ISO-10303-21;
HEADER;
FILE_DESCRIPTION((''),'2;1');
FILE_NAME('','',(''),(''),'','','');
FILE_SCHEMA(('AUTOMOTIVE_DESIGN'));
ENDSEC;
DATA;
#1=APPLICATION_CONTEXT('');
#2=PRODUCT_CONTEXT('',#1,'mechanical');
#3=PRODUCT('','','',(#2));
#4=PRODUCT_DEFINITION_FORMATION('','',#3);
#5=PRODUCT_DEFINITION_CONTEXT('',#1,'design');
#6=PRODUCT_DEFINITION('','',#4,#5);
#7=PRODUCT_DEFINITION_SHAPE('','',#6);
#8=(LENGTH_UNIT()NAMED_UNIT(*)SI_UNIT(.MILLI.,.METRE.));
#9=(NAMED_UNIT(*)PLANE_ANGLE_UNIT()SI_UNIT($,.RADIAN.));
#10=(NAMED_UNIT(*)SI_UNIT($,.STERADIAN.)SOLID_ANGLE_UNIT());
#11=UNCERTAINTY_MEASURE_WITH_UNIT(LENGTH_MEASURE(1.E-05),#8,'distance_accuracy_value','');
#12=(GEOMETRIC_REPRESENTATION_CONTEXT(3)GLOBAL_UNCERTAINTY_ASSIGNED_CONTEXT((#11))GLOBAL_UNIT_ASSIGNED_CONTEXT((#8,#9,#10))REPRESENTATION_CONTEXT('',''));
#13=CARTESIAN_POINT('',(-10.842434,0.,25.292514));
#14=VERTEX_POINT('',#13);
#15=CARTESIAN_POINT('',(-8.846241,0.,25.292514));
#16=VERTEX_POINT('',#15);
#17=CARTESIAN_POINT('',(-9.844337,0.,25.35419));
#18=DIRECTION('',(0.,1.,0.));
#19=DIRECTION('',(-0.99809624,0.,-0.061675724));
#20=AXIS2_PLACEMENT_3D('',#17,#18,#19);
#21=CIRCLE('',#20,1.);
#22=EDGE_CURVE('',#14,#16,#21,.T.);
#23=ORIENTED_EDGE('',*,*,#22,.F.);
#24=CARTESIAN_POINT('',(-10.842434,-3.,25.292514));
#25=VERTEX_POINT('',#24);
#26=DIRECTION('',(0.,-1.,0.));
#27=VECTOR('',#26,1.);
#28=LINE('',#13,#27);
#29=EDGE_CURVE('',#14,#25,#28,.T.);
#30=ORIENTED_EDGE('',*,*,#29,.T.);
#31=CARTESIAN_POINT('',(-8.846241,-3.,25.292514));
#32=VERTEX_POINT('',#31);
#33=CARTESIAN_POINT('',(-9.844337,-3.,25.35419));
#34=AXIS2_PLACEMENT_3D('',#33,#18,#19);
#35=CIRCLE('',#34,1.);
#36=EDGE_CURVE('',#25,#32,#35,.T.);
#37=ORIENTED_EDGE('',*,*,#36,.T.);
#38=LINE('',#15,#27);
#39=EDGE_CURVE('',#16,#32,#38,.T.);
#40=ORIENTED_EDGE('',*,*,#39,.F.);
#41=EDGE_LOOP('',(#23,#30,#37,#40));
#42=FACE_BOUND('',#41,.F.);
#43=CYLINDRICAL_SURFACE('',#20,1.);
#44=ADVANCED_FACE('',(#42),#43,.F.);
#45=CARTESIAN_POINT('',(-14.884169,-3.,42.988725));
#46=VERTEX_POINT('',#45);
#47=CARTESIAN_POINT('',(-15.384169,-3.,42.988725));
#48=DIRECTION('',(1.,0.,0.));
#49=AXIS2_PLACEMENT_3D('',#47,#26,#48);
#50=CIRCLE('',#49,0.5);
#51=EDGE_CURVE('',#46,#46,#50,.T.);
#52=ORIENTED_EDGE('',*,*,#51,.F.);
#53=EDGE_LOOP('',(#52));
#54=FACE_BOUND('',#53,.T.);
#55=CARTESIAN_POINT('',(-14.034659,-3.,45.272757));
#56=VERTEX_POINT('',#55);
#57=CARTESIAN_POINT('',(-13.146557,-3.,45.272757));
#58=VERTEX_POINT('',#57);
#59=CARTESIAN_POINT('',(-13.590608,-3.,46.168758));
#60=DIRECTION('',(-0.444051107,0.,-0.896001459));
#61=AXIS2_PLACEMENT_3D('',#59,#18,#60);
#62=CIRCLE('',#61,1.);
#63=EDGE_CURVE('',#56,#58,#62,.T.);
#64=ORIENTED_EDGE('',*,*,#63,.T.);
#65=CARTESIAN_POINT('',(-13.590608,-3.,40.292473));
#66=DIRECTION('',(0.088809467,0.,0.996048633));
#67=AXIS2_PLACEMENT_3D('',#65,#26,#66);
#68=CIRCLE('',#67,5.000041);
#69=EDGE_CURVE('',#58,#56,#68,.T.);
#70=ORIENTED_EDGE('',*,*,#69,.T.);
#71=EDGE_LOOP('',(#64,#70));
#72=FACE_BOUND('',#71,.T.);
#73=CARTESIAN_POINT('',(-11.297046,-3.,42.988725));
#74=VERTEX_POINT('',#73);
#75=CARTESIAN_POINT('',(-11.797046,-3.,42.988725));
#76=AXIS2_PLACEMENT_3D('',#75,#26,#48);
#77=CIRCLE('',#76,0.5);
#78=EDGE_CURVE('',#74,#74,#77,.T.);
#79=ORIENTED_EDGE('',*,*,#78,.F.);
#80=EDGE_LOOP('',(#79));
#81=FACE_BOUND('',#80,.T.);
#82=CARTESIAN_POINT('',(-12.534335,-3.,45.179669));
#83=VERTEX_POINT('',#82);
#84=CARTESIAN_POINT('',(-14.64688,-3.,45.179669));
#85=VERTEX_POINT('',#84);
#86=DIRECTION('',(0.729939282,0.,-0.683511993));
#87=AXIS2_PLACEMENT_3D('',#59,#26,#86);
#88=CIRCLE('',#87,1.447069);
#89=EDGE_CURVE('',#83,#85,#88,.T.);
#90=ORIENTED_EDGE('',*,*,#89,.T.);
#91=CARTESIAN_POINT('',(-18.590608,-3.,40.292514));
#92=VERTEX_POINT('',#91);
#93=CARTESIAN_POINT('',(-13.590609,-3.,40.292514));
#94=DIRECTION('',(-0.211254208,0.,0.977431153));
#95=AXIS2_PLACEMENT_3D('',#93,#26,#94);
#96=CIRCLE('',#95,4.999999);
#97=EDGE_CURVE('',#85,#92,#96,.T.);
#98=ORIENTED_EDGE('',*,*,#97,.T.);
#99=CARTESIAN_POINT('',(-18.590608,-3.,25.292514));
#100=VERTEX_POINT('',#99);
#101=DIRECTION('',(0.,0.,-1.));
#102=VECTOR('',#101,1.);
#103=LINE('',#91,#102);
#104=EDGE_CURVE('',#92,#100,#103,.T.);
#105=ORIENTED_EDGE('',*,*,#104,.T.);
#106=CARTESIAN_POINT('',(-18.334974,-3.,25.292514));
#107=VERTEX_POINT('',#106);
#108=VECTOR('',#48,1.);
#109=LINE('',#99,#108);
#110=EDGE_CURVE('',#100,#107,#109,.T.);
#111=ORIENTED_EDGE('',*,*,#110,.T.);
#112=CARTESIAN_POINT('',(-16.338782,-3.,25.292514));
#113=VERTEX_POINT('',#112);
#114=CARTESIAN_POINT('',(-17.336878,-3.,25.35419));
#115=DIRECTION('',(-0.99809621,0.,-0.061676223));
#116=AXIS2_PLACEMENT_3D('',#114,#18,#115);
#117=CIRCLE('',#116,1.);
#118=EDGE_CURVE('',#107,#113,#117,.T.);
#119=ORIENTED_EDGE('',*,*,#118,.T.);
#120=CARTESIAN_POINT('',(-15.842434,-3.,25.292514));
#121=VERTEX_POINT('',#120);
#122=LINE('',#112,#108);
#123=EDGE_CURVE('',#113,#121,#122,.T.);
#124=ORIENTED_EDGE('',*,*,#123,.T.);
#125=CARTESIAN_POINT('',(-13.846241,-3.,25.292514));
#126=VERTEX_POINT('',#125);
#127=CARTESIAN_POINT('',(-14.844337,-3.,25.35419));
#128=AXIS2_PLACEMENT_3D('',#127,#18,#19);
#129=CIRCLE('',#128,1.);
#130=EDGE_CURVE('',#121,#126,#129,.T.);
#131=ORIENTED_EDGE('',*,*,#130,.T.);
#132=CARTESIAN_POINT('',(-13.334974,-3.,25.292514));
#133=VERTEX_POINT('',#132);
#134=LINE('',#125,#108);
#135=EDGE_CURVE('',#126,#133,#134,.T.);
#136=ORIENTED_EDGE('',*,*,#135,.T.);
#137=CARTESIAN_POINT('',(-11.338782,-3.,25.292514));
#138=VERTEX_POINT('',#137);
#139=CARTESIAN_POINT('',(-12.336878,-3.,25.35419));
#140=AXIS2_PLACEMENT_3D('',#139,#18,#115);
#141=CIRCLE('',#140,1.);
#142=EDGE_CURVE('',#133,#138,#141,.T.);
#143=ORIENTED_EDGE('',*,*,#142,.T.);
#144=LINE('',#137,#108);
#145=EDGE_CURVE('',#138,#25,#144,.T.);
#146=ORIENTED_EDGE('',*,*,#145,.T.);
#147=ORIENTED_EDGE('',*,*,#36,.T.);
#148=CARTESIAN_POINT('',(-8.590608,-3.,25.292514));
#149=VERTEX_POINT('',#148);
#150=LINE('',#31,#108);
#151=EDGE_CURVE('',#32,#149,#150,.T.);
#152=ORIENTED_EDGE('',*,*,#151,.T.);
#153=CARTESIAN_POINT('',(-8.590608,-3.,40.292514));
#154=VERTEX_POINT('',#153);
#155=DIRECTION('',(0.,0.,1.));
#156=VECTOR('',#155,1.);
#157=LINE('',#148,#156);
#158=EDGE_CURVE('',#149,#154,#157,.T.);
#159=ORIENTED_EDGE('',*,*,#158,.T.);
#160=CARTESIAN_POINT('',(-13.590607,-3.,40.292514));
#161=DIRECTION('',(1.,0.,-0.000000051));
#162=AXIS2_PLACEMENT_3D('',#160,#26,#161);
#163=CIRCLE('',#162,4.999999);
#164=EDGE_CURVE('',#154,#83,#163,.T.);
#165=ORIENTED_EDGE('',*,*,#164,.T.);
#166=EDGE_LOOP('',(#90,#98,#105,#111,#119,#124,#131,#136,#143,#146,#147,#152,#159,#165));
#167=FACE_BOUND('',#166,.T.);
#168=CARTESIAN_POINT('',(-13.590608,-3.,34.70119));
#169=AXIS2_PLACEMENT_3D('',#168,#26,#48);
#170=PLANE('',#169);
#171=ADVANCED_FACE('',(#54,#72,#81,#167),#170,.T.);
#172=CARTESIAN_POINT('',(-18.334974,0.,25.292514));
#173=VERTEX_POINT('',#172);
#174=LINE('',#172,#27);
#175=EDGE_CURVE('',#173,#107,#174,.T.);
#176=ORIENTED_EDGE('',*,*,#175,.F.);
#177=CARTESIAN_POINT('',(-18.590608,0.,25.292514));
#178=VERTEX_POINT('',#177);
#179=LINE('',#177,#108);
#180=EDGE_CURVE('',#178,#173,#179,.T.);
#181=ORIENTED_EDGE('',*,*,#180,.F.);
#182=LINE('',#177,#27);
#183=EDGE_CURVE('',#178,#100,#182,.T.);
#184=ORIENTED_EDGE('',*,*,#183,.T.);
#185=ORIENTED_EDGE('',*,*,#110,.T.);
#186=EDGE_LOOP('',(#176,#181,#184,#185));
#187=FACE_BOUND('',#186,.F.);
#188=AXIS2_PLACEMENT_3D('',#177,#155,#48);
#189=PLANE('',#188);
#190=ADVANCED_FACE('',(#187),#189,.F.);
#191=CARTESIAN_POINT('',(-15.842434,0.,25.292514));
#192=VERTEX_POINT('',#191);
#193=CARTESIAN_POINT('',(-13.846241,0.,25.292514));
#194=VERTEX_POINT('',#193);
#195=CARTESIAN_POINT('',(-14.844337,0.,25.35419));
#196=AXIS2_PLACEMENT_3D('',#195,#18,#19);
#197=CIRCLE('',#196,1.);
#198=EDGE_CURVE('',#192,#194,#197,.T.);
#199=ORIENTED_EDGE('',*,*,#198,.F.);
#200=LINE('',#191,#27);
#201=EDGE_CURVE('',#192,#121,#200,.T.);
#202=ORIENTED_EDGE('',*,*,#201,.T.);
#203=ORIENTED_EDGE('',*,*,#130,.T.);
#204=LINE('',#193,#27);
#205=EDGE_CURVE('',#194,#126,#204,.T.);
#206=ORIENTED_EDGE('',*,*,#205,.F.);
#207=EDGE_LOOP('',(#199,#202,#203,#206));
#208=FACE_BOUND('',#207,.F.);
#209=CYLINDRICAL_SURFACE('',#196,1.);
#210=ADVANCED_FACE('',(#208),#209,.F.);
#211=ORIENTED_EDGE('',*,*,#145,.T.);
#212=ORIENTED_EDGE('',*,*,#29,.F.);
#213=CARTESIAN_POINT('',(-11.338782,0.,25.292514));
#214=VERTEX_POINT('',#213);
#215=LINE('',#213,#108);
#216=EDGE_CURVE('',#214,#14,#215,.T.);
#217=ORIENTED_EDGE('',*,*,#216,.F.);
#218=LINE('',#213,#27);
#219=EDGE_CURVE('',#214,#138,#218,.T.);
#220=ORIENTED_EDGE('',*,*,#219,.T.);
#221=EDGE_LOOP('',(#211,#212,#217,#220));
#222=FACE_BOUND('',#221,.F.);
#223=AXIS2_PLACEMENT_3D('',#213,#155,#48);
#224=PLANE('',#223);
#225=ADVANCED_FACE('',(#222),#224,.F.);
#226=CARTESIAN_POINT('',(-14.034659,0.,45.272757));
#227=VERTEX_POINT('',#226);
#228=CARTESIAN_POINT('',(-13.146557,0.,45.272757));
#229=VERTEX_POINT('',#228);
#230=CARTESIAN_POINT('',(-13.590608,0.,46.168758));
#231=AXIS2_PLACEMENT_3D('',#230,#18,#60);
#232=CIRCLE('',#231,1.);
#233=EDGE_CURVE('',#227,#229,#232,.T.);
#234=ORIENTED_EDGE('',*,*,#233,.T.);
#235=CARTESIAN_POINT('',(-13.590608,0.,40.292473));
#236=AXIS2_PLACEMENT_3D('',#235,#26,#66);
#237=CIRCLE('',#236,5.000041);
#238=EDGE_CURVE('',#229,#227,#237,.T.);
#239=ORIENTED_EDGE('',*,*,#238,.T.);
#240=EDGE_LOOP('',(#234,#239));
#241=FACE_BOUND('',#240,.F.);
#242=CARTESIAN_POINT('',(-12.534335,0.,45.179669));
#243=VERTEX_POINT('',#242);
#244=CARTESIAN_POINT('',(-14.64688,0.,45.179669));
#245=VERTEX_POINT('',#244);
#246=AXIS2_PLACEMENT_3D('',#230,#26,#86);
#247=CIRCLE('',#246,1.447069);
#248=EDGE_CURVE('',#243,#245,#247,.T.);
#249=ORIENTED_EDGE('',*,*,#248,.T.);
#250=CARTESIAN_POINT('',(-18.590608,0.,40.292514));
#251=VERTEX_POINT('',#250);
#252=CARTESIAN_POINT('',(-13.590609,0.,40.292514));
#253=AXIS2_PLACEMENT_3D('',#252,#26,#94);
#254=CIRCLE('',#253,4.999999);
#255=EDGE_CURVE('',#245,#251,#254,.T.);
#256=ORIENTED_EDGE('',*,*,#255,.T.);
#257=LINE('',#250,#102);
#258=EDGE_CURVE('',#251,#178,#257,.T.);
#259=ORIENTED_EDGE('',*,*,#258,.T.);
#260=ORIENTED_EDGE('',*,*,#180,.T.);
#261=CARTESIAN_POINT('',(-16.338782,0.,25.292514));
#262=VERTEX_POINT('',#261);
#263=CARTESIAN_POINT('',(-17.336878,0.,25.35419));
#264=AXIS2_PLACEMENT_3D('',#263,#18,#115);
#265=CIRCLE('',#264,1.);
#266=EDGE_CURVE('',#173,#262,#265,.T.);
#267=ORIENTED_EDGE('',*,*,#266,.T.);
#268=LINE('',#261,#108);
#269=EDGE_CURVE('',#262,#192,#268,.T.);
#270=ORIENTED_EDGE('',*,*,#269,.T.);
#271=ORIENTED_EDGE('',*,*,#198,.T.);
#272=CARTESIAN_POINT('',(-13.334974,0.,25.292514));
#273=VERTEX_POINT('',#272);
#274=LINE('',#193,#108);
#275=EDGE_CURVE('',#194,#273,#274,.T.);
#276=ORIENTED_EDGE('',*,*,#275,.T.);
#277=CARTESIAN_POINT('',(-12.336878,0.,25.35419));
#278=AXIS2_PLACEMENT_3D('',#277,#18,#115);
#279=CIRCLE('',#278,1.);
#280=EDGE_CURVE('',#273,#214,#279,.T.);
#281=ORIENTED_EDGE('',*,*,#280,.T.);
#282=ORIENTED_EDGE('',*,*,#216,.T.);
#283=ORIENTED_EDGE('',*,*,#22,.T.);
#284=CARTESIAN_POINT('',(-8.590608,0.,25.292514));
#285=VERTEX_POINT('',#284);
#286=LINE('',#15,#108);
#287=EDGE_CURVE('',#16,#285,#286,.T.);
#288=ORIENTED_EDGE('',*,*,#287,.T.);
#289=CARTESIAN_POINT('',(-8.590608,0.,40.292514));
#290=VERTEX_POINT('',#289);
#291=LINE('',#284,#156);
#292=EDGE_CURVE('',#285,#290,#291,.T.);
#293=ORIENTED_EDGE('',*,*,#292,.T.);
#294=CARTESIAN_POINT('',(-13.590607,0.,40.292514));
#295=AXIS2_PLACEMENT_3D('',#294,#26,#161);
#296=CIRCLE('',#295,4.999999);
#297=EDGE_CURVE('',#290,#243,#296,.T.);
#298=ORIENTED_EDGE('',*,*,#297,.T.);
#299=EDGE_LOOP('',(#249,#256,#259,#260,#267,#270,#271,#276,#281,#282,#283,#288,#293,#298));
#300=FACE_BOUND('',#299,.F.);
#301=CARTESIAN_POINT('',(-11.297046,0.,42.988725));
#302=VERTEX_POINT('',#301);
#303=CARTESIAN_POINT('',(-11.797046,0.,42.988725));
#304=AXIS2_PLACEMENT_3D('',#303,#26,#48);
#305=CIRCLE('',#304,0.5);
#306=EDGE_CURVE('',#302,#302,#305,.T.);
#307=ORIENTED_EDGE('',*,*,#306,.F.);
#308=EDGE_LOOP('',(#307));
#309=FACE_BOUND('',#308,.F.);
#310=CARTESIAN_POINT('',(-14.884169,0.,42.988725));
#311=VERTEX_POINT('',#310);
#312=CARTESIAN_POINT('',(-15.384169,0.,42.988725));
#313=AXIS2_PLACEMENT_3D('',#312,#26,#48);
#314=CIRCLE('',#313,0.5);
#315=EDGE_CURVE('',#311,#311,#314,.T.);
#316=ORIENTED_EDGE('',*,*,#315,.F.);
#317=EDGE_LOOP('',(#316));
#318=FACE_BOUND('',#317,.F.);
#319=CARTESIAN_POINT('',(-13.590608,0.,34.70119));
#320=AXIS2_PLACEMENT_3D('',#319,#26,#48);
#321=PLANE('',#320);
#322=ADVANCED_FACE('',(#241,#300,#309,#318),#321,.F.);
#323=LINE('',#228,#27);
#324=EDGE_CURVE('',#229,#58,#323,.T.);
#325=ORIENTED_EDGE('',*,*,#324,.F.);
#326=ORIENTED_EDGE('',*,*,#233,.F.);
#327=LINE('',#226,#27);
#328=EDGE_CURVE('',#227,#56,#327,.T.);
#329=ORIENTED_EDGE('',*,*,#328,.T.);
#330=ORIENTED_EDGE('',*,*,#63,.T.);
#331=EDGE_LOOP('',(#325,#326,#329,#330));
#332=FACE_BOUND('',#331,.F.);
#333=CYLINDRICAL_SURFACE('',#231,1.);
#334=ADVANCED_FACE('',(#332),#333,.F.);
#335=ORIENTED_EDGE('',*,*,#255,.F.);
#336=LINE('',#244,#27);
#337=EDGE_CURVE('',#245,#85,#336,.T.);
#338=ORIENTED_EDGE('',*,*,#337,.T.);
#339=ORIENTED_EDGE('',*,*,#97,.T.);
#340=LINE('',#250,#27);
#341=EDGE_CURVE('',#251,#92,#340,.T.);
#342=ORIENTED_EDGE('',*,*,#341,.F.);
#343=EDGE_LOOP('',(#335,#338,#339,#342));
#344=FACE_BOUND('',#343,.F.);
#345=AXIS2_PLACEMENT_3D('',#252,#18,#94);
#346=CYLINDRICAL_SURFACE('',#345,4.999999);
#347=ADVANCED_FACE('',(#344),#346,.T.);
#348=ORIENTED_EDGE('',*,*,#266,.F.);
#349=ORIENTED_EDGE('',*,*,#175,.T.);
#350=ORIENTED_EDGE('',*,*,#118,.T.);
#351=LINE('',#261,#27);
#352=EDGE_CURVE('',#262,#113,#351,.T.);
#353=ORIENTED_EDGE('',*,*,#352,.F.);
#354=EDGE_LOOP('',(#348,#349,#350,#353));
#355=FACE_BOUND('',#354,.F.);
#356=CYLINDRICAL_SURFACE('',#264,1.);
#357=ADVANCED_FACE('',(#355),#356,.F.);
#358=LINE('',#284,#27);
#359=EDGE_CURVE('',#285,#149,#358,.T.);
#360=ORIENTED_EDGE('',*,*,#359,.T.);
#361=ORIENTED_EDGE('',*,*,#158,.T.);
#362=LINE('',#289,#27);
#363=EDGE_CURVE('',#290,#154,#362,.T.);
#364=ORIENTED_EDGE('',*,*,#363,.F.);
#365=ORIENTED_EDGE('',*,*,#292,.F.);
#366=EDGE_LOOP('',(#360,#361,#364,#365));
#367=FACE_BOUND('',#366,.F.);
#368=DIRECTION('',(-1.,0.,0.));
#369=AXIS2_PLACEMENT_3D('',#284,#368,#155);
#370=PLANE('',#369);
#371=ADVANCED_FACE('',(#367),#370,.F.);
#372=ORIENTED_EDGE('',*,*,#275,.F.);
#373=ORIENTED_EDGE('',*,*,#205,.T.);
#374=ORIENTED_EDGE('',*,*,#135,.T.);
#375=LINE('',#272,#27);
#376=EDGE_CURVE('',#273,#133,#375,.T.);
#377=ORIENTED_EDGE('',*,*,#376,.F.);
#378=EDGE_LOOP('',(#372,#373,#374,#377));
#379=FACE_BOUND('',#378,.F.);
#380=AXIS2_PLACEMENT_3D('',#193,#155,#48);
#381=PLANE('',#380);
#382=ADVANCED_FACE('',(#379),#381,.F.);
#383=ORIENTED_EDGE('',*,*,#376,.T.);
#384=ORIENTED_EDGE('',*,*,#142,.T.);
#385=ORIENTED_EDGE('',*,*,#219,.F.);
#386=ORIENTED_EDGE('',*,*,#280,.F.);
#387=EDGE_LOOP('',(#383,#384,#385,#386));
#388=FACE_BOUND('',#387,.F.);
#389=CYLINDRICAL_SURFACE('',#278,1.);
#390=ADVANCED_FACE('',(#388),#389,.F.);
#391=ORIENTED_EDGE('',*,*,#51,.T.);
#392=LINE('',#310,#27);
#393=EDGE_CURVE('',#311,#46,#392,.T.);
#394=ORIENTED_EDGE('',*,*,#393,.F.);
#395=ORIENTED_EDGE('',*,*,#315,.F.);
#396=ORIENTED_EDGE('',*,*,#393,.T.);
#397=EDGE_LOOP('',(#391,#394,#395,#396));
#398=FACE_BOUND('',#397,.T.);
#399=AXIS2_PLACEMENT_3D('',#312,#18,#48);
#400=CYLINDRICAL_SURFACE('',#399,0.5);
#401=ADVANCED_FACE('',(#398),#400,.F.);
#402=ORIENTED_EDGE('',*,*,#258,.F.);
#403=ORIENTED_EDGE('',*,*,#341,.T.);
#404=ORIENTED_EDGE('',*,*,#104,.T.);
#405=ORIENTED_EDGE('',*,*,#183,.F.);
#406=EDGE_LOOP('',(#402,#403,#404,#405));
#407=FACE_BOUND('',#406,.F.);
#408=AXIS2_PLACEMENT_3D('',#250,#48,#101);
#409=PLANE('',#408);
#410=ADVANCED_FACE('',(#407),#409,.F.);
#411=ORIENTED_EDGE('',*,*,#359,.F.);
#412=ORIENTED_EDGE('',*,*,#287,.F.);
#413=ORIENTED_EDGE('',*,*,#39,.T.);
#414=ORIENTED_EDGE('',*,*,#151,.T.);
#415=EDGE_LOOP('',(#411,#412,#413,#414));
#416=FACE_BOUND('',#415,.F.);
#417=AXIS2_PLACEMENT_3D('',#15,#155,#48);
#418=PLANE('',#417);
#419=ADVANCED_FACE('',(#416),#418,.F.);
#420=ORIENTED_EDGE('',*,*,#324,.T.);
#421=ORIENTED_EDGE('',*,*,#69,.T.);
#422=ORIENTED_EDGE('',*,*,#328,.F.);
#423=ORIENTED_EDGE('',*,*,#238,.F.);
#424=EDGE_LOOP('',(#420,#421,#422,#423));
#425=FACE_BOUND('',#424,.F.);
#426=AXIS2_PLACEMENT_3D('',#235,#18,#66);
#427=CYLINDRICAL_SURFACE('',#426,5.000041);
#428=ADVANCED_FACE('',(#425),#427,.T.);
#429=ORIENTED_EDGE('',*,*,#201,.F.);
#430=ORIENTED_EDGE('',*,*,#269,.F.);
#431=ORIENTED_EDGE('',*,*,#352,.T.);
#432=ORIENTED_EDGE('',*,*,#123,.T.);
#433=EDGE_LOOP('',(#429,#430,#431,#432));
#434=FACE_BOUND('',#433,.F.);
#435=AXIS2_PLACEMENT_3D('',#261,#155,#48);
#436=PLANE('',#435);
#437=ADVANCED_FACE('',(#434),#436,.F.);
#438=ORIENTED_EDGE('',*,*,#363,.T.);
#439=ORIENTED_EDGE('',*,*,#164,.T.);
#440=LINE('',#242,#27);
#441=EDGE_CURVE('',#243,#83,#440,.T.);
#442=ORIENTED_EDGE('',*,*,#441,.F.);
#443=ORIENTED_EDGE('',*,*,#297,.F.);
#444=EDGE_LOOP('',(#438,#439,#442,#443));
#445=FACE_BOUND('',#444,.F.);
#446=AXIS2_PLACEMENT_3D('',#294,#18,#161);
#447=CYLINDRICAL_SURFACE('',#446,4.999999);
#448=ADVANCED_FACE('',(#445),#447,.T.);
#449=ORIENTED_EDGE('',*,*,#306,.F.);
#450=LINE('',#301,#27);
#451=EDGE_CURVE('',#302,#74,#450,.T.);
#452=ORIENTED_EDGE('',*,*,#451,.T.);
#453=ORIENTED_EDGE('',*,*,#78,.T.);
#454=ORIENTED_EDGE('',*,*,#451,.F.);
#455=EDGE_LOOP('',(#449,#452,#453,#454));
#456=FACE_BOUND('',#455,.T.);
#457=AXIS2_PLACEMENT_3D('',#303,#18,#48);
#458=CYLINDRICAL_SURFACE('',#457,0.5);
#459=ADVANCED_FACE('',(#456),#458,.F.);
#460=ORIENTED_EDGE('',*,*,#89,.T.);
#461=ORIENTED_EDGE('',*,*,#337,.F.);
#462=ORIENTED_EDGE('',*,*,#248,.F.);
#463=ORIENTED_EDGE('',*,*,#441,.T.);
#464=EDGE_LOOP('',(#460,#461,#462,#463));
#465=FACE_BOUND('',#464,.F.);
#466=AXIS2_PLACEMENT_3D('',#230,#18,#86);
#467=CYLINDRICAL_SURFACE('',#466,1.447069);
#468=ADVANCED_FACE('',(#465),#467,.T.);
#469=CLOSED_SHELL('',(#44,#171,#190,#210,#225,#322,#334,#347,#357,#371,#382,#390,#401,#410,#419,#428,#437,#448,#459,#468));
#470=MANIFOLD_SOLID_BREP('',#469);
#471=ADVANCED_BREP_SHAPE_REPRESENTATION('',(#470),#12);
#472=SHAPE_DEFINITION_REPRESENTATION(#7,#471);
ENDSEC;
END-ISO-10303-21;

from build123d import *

# Parameters (mm, degrees)
F0_R     = 0.5
F1_DEPTH = 3


with BuildPart() as f1:
    # F0 (on Front) → F1 (new body)
    with BuildSketch(Plane.XZ):
        with BuildLine():
            Line((-8.590608, 25.292514), (-8.590608, 40.292514))
            ThreePointArc((-8.590608, 40.292514), (-9.699505, 43.432469), (-12.534335, 45.179669))
            ThreePointArc((-12.534335, 45.179669), (-13.590608, 47.615827), (-14.64688, 45.179669))
            ThreePointArc((-14.64688, 45.179669), (-17.481711, 43.432469), (-18.590608, 40.292514))
            Line((-18.590608, 40.292514), (-18.590608, 25.292514))
            Line((-18.590608, 25.292514), (-18.340608, 25.292514))
            Line((-18.340608, 25.292514), (-18.334974, 25.292514))
            ThreePointArc((-18.334974, 25.292514), (-17.336878, 26.35419), (-16.338782, 25.292514))
            Line((-16.338782, 25.292514), (-15.842434, 25.292514))
            ThreePointArc((-15.842434, 25.292514), (-14.844338, 26.35419), (-13.846241, 25.292514))
            Line((-13.846241, 25.292514), (-13.334974, 25.292514))
            ThreePointArc((-13.334974, 25.292514), (-12.336878, 26.35419), (-11.338782, 25.292514))
            Line((-11.338782, 25.292514), (-10.842434, 25.292514))
            ThreePointArc((-10.842434, 25.292514), (-9.844338, 26.35419), (-8.846241, 25.292514))
            Line((-8.846241, 25.292514), (-8.590608, 25.292514))
        make_face()
        with Locations((-15.384169, 42.988725)):
            Circle(F0_R, mode=Mode.SUBTRACT)
        with Locations((-11.797046, 42.988725)):
            Circle(F0_R, mode=Mode.SUBTRACT)
        with BuildLine():
            ThreePointArc((-14.034659, 45.272757), (-13.590608, 47.168758), (-13.146557, 45.272757))
            ThreePointArc((-13.146557, 45.272757), (-13.590608, 45.292514), (-14.034659, 45.272757))
        make_face(mode=Mode.SUBTRACT)
    extrude(amount=F1_DEPTH)


solid = f1.part
